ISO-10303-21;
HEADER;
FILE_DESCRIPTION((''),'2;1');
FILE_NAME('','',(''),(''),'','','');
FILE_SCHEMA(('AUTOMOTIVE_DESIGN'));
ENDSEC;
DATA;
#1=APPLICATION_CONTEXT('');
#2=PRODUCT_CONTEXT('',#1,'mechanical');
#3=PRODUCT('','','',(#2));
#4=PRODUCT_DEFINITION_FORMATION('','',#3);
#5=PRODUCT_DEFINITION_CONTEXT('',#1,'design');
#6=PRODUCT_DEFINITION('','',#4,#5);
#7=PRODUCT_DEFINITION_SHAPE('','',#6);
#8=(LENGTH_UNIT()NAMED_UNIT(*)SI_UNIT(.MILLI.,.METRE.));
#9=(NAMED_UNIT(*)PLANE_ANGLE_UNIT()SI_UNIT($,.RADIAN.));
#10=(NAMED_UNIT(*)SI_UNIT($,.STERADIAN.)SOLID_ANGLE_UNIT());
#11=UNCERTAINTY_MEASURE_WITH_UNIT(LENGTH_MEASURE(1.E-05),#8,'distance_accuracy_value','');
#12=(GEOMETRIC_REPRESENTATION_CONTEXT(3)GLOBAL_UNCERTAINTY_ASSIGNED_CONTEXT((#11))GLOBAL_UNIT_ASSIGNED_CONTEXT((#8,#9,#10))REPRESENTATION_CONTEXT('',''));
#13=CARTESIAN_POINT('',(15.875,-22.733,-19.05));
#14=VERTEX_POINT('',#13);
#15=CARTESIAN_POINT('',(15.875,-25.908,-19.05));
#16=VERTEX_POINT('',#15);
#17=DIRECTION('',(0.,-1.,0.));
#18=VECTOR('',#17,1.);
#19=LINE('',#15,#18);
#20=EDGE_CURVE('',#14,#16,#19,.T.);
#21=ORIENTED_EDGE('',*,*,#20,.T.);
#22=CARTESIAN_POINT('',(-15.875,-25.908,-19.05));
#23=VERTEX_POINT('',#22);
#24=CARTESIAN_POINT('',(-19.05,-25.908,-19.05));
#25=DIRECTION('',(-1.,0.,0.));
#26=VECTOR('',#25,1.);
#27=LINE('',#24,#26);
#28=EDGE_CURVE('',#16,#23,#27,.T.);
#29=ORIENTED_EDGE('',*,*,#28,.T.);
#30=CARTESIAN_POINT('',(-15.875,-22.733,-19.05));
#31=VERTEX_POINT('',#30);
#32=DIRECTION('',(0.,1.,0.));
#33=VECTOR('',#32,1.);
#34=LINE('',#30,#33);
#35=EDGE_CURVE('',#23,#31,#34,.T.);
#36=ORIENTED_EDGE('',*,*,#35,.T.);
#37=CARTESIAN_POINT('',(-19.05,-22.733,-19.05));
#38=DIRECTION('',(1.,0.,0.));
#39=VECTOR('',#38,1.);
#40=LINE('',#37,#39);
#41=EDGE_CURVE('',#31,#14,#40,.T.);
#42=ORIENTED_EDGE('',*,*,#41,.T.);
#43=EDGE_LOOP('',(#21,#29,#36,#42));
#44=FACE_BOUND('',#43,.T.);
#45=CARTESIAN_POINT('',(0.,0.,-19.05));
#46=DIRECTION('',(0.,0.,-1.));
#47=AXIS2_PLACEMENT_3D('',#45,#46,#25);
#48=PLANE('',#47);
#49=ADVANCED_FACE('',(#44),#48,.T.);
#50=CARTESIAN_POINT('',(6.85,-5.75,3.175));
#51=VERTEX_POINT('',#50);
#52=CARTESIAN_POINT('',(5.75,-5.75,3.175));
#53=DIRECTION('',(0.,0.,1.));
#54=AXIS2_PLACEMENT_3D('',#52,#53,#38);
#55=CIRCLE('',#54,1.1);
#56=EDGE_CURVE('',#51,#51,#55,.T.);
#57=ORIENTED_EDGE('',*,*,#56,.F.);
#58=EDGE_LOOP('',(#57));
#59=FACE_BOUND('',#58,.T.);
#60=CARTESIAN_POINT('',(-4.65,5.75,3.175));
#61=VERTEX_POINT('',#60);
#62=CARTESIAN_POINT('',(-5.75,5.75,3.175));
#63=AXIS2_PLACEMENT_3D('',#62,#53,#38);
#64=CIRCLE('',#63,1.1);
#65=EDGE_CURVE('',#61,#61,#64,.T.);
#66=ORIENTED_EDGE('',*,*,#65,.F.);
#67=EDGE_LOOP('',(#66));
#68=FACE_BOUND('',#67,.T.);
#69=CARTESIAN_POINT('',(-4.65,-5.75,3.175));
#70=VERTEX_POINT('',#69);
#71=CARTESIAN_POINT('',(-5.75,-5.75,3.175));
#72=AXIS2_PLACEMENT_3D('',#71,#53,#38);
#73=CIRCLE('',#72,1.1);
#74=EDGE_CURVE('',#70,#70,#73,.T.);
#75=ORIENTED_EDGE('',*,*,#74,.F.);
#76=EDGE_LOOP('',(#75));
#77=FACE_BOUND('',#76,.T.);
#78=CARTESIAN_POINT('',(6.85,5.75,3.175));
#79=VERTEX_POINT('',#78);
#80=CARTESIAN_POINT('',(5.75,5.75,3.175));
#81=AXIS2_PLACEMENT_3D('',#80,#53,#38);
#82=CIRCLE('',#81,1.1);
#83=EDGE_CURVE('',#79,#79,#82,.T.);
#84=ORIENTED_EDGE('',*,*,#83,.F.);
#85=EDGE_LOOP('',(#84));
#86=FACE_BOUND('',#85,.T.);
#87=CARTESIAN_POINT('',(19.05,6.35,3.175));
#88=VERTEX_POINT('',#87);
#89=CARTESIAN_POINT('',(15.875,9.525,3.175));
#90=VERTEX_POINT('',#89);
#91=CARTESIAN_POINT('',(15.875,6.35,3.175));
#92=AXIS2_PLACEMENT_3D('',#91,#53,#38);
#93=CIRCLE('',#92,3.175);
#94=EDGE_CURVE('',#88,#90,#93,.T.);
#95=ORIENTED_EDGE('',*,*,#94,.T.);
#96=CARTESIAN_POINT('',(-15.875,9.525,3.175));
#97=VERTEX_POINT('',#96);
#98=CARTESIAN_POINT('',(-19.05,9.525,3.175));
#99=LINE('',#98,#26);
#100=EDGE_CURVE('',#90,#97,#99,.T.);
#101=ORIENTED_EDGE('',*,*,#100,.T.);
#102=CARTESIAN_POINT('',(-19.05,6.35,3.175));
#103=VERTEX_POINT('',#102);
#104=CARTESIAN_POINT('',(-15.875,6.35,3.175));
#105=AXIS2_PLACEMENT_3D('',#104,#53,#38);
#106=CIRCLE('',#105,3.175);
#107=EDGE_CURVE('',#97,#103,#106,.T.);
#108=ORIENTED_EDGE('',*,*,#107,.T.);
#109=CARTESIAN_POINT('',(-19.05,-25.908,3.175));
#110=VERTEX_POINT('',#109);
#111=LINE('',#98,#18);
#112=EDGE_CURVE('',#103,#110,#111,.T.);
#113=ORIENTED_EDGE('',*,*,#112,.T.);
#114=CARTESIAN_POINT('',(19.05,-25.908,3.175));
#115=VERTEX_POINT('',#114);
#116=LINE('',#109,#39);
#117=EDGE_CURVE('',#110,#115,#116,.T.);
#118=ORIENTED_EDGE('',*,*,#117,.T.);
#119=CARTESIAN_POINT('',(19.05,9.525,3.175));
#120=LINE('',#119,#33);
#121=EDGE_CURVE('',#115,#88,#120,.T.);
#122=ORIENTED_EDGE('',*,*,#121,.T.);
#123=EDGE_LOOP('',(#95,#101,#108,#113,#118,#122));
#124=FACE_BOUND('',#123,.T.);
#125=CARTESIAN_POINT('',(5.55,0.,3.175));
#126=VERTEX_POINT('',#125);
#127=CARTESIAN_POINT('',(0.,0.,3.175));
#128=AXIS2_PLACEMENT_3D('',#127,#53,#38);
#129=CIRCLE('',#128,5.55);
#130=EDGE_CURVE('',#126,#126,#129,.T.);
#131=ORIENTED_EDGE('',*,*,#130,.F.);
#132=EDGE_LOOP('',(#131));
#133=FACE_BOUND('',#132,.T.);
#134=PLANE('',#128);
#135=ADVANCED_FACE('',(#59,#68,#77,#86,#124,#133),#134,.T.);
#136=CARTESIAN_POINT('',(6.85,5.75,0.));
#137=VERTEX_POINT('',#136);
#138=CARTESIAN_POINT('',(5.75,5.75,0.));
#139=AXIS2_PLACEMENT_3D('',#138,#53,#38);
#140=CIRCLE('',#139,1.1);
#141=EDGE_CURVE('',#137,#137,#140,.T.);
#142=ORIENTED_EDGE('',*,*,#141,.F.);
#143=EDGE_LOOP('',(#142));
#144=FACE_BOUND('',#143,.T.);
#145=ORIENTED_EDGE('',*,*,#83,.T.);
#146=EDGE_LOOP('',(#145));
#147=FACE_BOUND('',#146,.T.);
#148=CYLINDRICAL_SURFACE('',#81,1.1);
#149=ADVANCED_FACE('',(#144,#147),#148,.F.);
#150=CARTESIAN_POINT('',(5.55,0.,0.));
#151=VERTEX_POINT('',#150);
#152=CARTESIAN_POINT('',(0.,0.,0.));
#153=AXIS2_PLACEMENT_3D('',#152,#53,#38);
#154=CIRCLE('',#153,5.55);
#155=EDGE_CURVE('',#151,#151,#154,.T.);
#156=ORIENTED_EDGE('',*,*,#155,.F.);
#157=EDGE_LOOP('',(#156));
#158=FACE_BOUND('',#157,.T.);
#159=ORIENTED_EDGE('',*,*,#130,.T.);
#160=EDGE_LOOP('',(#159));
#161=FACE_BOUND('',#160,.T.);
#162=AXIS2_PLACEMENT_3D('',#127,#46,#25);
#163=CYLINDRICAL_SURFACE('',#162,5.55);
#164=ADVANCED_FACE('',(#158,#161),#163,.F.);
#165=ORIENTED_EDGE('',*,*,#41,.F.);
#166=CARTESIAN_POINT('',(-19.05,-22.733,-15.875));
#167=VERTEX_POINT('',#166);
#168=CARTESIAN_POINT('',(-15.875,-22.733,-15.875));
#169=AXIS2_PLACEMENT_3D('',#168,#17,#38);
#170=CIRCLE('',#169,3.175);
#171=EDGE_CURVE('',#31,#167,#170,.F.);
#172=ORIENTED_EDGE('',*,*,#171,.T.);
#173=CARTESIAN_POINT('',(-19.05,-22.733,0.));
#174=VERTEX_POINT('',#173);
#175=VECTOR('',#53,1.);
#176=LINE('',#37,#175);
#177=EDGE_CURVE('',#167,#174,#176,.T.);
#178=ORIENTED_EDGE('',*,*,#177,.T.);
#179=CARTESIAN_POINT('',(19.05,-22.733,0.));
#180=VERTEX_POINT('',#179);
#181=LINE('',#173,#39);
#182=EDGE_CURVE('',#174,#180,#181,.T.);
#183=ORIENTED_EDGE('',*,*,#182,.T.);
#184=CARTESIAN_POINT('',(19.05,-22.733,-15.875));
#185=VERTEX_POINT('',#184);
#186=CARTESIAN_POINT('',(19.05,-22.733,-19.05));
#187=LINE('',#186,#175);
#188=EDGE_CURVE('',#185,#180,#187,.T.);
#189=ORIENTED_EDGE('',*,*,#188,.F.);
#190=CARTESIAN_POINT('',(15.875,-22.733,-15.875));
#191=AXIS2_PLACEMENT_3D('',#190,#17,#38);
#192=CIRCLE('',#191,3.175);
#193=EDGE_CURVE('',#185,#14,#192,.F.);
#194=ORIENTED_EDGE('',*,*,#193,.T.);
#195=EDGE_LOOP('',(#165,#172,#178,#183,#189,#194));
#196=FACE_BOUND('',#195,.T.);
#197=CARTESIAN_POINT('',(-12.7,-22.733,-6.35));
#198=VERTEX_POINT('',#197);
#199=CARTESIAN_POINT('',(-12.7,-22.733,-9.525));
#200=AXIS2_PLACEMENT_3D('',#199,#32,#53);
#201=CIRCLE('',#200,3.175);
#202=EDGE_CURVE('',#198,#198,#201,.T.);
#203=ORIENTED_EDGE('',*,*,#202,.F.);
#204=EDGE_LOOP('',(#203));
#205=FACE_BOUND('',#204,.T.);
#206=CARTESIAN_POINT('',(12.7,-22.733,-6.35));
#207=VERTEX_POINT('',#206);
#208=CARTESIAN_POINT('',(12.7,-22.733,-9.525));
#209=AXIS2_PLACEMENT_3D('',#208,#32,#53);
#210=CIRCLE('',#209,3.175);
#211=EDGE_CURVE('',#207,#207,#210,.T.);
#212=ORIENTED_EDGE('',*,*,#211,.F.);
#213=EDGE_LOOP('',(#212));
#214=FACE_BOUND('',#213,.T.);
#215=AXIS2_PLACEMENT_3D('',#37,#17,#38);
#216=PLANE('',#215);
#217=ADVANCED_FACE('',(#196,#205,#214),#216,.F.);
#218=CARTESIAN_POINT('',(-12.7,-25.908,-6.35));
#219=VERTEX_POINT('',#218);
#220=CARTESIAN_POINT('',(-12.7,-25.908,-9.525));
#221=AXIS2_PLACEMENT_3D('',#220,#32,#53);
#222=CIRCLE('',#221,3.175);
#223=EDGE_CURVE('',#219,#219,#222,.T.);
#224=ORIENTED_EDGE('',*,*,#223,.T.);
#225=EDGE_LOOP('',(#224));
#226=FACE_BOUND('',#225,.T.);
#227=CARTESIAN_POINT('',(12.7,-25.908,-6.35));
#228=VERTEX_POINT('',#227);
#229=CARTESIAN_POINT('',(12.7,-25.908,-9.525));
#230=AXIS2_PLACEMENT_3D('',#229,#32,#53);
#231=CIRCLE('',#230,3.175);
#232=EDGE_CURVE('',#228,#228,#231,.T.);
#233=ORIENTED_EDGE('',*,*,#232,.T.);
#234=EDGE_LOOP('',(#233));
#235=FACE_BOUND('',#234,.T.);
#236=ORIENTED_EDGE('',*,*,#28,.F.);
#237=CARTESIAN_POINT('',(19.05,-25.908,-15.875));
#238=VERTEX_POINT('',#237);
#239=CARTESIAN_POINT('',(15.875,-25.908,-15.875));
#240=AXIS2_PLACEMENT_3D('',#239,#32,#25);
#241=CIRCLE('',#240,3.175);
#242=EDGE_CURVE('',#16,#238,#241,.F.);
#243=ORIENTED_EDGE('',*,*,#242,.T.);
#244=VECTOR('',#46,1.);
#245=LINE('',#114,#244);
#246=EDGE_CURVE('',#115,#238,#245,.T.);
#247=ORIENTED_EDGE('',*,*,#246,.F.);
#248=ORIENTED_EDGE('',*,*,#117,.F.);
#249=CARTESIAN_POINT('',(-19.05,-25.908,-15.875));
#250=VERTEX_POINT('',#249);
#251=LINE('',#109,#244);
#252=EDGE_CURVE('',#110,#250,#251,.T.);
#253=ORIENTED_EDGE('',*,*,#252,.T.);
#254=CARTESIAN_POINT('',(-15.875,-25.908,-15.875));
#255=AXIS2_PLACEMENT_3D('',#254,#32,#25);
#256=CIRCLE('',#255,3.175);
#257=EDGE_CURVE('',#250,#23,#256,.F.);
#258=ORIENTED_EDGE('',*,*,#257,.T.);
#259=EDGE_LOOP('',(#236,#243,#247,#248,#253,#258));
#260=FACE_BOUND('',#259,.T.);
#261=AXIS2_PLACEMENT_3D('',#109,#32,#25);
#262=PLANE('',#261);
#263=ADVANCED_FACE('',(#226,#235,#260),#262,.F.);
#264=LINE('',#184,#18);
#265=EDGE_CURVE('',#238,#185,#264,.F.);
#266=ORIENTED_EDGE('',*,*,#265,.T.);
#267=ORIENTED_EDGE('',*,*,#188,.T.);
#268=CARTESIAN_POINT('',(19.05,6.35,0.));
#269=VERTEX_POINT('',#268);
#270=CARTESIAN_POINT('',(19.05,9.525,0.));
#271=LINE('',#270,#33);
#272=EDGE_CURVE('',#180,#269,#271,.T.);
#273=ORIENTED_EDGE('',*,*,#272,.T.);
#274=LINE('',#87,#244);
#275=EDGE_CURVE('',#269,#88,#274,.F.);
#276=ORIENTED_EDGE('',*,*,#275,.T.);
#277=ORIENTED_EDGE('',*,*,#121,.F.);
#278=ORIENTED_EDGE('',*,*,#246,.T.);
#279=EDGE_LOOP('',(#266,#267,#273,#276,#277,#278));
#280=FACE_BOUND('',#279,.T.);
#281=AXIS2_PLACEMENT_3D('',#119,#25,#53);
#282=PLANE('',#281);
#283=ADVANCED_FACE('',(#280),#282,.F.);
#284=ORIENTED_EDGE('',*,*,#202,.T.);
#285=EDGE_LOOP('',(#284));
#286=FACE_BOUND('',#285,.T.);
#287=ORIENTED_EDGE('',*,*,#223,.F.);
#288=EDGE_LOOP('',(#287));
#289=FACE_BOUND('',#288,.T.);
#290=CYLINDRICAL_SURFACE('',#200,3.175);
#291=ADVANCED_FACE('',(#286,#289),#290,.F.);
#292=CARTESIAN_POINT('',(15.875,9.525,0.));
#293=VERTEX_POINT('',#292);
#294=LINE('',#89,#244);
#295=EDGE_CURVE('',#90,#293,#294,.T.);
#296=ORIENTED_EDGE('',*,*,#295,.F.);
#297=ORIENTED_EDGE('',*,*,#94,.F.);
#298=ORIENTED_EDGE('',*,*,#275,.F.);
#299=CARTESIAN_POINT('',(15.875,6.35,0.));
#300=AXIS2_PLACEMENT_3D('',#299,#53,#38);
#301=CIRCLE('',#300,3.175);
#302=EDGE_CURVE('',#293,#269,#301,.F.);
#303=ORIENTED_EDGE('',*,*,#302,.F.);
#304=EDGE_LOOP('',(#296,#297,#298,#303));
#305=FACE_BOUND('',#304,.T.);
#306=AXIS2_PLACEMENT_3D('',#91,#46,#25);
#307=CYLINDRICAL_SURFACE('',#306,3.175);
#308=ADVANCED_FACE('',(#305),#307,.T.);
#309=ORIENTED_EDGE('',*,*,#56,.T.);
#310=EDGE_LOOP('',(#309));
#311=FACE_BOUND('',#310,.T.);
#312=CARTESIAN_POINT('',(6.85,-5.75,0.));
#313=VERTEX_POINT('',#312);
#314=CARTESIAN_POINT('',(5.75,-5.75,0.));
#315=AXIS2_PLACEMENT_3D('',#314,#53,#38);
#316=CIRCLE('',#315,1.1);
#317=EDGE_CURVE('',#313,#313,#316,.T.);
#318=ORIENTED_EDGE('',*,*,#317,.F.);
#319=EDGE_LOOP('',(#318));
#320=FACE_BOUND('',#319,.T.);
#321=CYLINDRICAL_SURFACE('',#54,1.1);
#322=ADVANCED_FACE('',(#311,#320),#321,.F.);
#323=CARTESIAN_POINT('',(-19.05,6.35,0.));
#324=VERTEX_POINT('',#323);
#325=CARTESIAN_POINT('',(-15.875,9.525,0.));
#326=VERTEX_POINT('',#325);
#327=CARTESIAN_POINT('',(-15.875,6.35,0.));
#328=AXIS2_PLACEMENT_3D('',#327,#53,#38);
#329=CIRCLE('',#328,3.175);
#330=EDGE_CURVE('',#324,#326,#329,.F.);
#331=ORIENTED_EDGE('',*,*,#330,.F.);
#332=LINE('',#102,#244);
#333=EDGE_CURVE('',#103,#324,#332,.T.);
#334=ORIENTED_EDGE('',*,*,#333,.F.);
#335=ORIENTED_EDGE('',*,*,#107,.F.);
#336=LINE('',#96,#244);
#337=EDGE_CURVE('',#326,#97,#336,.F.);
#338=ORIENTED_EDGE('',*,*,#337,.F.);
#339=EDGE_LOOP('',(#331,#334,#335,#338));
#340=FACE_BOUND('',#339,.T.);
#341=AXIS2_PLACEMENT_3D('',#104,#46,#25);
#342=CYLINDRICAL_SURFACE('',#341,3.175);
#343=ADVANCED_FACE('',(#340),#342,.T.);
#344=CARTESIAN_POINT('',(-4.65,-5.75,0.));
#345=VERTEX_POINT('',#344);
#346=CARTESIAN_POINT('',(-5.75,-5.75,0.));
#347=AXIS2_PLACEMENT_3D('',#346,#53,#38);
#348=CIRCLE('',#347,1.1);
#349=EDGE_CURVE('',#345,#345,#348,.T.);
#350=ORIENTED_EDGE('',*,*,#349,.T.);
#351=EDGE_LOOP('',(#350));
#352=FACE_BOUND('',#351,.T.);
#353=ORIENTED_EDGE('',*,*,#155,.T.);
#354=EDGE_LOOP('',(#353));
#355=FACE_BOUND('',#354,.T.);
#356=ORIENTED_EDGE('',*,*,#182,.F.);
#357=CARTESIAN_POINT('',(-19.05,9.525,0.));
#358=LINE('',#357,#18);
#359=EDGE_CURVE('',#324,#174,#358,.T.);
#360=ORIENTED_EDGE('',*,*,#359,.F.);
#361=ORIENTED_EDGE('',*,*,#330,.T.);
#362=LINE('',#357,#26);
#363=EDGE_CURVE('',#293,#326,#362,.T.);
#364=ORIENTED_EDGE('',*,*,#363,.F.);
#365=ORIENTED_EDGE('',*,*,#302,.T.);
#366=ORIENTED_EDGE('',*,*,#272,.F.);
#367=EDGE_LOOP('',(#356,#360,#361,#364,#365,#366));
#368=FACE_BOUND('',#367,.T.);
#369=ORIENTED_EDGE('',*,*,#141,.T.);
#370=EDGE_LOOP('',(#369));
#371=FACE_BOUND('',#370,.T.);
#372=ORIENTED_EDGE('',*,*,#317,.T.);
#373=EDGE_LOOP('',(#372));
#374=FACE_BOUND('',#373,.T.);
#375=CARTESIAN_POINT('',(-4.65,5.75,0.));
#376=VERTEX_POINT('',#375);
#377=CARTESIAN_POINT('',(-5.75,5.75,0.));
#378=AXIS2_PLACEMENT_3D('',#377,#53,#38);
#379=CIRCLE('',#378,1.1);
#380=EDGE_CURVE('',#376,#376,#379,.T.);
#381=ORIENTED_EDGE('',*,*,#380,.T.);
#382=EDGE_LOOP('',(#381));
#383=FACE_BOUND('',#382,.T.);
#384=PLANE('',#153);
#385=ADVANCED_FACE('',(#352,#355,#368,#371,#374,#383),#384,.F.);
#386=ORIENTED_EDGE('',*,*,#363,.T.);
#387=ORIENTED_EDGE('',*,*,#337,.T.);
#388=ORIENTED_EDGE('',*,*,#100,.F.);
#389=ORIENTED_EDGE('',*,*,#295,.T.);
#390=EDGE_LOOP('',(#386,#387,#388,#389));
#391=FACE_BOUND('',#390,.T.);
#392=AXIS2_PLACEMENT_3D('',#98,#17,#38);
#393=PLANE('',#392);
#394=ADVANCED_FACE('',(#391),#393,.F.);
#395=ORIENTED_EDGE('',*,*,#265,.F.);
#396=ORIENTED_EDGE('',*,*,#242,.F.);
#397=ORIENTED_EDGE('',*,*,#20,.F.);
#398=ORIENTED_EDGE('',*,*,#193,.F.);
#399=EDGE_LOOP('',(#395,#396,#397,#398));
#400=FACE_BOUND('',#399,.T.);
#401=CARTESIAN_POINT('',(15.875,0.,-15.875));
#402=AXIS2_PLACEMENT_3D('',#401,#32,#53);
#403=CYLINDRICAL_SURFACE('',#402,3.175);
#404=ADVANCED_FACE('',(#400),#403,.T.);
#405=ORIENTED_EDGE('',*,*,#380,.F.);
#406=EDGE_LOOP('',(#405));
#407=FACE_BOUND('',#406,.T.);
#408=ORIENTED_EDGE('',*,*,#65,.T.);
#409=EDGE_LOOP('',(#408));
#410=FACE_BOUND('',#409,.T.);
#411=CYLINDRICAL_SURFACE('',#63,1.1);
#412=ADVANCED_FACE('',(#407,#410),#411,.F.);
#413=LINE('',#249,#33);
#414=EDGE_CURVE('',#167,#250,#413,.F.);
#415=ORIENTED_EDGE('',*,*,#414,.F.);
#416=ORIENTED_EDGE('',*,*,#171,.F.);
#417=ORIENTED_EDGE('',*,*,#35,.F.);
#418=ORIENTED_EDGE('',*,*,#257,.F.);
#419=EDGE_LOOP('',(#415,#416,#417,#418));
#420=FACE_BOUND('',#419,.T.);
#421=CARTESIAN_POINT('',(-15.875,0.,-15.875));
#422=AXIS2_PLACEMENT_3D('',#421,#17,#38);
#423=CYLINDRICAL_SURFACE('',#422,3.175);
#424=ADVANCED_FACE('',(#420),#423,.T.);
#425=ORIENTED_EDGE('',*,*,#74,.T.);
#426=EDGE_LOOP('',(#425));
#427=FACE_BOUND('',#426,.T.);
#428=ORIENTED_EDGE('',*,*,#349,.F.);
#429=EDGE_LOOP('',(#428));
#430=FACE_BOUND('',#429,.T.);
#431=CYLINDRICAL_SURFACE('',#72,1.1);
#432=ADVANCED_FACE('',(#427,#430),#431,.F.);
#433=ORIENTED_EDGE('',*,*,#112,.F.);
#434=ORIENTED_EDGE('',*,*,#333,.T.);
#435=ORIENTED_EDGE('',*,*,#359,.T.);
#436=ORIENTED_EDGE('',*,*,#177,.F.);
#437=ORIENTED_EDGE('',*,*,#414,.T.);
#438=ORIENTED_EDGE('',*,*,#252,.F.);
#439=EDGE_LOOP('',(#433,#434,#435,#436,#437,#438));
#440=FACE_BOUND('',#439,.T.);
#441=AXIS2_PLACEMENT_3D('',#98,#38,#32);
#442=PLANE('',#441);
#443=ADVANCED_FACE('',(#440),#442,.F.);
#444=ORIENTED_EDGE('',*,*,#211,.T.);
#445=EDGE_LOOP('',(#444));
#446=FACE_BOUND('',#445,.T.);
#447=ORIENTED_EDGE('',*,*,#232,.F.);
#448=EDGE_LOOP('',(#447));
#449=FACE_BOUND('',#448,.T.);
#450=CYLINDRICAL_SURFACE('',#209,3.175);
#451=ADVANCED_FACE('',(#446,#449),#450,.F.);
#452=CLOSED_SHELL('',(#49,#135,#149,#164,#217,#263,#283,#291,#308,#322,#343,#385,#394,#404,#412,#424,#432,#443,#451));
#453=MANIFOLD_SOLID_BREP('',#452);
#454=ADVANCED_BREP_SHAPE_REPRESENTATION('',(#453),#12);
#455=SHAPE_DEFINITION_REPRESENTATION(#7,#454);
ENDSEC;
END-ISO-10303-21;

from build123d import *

# Parameters (mm, degrees)
SKETCH1_W                   = 38.1
SKETCH1_H                   = 35.433
SKETCH1_R                   = 5.55
BOSS_EXTRUDE1_DEPTH         = 3.175
SKETCH3_W                   = 38.1
SKETCH3_H                   = 3.175
BOSS_EXTRUDE2_DEPTH         = 19.05
FILLET1_R                   = 3.175
M2_CLEARANCE_HOLE1_D        = 2.2
F_1_4_0_25_DIAMETER_HOLE1_D = 6.35


with BuildPart() as part:
    # Sketch1 → Boss-Extrude1 (new body)
    with BuildSketch(Plane.XY):
        with Locations((0, -8.1915)):
            Rectangle(SKETCH1_W, SKETCH1_H)
        Circle(SKETCH1_R, mode=Mode.SUBTRACT)
    extrude(amount=BOSS_EXTRUDE1_DEPTH)

    # Sketch3 → Boss-Extrude2 (add)
    with BuildSketch(Plane(origin=(0, 0, 0), x_dir=(-1, 0, 0), z_dir=(0, 0, -1))):
        with Locations((0, -24.3205)):
            Rectangle(SKETCH3_W, SKETCH3_H)
    extrude(amount=BOSS_EXTRUDE2_DEPTH)

    # Fillet1
    fillet1_edges = [part.edges().sort_by_distance(p)[0] for p in [
        (-19.05, -24.3205, -19.05),
        (19.05, -24.3205, -19.05),
        (-19.05, 9.525, 1.5875),
        (19.05, 9.525, 1.5875),
    ]]
    fillet(fillet1_edges, radius=FILLET1_R)

    # M2 Clearance Hole1 (through all)
    with Locations(Plane(origin=(0, -25.908, 3.175), x_dir=(1, 0, 0), z_dir=(0, 0, 1))):
        with Locations((5.75, 31.658), (-5.75, 31.658), (5.75, 20.158), (-5.75, 20.158)):
            Hole(M2_CLEARANCE_HOLE1_D / 2)

    # 1/4 (0.25) Diameter Hole1 (through all)
    with Locations(Plane(origin=(0, -22.733, 0), x_dir=(1, 0, 0), z_dir=(0, 1, 0))):
        with Locations((-12.7, 9.525), (12.7, 9.525)):
            Hole(F_1_4_0_25_DIAMETER_HOLE1_D / 2)


solid = part.part
